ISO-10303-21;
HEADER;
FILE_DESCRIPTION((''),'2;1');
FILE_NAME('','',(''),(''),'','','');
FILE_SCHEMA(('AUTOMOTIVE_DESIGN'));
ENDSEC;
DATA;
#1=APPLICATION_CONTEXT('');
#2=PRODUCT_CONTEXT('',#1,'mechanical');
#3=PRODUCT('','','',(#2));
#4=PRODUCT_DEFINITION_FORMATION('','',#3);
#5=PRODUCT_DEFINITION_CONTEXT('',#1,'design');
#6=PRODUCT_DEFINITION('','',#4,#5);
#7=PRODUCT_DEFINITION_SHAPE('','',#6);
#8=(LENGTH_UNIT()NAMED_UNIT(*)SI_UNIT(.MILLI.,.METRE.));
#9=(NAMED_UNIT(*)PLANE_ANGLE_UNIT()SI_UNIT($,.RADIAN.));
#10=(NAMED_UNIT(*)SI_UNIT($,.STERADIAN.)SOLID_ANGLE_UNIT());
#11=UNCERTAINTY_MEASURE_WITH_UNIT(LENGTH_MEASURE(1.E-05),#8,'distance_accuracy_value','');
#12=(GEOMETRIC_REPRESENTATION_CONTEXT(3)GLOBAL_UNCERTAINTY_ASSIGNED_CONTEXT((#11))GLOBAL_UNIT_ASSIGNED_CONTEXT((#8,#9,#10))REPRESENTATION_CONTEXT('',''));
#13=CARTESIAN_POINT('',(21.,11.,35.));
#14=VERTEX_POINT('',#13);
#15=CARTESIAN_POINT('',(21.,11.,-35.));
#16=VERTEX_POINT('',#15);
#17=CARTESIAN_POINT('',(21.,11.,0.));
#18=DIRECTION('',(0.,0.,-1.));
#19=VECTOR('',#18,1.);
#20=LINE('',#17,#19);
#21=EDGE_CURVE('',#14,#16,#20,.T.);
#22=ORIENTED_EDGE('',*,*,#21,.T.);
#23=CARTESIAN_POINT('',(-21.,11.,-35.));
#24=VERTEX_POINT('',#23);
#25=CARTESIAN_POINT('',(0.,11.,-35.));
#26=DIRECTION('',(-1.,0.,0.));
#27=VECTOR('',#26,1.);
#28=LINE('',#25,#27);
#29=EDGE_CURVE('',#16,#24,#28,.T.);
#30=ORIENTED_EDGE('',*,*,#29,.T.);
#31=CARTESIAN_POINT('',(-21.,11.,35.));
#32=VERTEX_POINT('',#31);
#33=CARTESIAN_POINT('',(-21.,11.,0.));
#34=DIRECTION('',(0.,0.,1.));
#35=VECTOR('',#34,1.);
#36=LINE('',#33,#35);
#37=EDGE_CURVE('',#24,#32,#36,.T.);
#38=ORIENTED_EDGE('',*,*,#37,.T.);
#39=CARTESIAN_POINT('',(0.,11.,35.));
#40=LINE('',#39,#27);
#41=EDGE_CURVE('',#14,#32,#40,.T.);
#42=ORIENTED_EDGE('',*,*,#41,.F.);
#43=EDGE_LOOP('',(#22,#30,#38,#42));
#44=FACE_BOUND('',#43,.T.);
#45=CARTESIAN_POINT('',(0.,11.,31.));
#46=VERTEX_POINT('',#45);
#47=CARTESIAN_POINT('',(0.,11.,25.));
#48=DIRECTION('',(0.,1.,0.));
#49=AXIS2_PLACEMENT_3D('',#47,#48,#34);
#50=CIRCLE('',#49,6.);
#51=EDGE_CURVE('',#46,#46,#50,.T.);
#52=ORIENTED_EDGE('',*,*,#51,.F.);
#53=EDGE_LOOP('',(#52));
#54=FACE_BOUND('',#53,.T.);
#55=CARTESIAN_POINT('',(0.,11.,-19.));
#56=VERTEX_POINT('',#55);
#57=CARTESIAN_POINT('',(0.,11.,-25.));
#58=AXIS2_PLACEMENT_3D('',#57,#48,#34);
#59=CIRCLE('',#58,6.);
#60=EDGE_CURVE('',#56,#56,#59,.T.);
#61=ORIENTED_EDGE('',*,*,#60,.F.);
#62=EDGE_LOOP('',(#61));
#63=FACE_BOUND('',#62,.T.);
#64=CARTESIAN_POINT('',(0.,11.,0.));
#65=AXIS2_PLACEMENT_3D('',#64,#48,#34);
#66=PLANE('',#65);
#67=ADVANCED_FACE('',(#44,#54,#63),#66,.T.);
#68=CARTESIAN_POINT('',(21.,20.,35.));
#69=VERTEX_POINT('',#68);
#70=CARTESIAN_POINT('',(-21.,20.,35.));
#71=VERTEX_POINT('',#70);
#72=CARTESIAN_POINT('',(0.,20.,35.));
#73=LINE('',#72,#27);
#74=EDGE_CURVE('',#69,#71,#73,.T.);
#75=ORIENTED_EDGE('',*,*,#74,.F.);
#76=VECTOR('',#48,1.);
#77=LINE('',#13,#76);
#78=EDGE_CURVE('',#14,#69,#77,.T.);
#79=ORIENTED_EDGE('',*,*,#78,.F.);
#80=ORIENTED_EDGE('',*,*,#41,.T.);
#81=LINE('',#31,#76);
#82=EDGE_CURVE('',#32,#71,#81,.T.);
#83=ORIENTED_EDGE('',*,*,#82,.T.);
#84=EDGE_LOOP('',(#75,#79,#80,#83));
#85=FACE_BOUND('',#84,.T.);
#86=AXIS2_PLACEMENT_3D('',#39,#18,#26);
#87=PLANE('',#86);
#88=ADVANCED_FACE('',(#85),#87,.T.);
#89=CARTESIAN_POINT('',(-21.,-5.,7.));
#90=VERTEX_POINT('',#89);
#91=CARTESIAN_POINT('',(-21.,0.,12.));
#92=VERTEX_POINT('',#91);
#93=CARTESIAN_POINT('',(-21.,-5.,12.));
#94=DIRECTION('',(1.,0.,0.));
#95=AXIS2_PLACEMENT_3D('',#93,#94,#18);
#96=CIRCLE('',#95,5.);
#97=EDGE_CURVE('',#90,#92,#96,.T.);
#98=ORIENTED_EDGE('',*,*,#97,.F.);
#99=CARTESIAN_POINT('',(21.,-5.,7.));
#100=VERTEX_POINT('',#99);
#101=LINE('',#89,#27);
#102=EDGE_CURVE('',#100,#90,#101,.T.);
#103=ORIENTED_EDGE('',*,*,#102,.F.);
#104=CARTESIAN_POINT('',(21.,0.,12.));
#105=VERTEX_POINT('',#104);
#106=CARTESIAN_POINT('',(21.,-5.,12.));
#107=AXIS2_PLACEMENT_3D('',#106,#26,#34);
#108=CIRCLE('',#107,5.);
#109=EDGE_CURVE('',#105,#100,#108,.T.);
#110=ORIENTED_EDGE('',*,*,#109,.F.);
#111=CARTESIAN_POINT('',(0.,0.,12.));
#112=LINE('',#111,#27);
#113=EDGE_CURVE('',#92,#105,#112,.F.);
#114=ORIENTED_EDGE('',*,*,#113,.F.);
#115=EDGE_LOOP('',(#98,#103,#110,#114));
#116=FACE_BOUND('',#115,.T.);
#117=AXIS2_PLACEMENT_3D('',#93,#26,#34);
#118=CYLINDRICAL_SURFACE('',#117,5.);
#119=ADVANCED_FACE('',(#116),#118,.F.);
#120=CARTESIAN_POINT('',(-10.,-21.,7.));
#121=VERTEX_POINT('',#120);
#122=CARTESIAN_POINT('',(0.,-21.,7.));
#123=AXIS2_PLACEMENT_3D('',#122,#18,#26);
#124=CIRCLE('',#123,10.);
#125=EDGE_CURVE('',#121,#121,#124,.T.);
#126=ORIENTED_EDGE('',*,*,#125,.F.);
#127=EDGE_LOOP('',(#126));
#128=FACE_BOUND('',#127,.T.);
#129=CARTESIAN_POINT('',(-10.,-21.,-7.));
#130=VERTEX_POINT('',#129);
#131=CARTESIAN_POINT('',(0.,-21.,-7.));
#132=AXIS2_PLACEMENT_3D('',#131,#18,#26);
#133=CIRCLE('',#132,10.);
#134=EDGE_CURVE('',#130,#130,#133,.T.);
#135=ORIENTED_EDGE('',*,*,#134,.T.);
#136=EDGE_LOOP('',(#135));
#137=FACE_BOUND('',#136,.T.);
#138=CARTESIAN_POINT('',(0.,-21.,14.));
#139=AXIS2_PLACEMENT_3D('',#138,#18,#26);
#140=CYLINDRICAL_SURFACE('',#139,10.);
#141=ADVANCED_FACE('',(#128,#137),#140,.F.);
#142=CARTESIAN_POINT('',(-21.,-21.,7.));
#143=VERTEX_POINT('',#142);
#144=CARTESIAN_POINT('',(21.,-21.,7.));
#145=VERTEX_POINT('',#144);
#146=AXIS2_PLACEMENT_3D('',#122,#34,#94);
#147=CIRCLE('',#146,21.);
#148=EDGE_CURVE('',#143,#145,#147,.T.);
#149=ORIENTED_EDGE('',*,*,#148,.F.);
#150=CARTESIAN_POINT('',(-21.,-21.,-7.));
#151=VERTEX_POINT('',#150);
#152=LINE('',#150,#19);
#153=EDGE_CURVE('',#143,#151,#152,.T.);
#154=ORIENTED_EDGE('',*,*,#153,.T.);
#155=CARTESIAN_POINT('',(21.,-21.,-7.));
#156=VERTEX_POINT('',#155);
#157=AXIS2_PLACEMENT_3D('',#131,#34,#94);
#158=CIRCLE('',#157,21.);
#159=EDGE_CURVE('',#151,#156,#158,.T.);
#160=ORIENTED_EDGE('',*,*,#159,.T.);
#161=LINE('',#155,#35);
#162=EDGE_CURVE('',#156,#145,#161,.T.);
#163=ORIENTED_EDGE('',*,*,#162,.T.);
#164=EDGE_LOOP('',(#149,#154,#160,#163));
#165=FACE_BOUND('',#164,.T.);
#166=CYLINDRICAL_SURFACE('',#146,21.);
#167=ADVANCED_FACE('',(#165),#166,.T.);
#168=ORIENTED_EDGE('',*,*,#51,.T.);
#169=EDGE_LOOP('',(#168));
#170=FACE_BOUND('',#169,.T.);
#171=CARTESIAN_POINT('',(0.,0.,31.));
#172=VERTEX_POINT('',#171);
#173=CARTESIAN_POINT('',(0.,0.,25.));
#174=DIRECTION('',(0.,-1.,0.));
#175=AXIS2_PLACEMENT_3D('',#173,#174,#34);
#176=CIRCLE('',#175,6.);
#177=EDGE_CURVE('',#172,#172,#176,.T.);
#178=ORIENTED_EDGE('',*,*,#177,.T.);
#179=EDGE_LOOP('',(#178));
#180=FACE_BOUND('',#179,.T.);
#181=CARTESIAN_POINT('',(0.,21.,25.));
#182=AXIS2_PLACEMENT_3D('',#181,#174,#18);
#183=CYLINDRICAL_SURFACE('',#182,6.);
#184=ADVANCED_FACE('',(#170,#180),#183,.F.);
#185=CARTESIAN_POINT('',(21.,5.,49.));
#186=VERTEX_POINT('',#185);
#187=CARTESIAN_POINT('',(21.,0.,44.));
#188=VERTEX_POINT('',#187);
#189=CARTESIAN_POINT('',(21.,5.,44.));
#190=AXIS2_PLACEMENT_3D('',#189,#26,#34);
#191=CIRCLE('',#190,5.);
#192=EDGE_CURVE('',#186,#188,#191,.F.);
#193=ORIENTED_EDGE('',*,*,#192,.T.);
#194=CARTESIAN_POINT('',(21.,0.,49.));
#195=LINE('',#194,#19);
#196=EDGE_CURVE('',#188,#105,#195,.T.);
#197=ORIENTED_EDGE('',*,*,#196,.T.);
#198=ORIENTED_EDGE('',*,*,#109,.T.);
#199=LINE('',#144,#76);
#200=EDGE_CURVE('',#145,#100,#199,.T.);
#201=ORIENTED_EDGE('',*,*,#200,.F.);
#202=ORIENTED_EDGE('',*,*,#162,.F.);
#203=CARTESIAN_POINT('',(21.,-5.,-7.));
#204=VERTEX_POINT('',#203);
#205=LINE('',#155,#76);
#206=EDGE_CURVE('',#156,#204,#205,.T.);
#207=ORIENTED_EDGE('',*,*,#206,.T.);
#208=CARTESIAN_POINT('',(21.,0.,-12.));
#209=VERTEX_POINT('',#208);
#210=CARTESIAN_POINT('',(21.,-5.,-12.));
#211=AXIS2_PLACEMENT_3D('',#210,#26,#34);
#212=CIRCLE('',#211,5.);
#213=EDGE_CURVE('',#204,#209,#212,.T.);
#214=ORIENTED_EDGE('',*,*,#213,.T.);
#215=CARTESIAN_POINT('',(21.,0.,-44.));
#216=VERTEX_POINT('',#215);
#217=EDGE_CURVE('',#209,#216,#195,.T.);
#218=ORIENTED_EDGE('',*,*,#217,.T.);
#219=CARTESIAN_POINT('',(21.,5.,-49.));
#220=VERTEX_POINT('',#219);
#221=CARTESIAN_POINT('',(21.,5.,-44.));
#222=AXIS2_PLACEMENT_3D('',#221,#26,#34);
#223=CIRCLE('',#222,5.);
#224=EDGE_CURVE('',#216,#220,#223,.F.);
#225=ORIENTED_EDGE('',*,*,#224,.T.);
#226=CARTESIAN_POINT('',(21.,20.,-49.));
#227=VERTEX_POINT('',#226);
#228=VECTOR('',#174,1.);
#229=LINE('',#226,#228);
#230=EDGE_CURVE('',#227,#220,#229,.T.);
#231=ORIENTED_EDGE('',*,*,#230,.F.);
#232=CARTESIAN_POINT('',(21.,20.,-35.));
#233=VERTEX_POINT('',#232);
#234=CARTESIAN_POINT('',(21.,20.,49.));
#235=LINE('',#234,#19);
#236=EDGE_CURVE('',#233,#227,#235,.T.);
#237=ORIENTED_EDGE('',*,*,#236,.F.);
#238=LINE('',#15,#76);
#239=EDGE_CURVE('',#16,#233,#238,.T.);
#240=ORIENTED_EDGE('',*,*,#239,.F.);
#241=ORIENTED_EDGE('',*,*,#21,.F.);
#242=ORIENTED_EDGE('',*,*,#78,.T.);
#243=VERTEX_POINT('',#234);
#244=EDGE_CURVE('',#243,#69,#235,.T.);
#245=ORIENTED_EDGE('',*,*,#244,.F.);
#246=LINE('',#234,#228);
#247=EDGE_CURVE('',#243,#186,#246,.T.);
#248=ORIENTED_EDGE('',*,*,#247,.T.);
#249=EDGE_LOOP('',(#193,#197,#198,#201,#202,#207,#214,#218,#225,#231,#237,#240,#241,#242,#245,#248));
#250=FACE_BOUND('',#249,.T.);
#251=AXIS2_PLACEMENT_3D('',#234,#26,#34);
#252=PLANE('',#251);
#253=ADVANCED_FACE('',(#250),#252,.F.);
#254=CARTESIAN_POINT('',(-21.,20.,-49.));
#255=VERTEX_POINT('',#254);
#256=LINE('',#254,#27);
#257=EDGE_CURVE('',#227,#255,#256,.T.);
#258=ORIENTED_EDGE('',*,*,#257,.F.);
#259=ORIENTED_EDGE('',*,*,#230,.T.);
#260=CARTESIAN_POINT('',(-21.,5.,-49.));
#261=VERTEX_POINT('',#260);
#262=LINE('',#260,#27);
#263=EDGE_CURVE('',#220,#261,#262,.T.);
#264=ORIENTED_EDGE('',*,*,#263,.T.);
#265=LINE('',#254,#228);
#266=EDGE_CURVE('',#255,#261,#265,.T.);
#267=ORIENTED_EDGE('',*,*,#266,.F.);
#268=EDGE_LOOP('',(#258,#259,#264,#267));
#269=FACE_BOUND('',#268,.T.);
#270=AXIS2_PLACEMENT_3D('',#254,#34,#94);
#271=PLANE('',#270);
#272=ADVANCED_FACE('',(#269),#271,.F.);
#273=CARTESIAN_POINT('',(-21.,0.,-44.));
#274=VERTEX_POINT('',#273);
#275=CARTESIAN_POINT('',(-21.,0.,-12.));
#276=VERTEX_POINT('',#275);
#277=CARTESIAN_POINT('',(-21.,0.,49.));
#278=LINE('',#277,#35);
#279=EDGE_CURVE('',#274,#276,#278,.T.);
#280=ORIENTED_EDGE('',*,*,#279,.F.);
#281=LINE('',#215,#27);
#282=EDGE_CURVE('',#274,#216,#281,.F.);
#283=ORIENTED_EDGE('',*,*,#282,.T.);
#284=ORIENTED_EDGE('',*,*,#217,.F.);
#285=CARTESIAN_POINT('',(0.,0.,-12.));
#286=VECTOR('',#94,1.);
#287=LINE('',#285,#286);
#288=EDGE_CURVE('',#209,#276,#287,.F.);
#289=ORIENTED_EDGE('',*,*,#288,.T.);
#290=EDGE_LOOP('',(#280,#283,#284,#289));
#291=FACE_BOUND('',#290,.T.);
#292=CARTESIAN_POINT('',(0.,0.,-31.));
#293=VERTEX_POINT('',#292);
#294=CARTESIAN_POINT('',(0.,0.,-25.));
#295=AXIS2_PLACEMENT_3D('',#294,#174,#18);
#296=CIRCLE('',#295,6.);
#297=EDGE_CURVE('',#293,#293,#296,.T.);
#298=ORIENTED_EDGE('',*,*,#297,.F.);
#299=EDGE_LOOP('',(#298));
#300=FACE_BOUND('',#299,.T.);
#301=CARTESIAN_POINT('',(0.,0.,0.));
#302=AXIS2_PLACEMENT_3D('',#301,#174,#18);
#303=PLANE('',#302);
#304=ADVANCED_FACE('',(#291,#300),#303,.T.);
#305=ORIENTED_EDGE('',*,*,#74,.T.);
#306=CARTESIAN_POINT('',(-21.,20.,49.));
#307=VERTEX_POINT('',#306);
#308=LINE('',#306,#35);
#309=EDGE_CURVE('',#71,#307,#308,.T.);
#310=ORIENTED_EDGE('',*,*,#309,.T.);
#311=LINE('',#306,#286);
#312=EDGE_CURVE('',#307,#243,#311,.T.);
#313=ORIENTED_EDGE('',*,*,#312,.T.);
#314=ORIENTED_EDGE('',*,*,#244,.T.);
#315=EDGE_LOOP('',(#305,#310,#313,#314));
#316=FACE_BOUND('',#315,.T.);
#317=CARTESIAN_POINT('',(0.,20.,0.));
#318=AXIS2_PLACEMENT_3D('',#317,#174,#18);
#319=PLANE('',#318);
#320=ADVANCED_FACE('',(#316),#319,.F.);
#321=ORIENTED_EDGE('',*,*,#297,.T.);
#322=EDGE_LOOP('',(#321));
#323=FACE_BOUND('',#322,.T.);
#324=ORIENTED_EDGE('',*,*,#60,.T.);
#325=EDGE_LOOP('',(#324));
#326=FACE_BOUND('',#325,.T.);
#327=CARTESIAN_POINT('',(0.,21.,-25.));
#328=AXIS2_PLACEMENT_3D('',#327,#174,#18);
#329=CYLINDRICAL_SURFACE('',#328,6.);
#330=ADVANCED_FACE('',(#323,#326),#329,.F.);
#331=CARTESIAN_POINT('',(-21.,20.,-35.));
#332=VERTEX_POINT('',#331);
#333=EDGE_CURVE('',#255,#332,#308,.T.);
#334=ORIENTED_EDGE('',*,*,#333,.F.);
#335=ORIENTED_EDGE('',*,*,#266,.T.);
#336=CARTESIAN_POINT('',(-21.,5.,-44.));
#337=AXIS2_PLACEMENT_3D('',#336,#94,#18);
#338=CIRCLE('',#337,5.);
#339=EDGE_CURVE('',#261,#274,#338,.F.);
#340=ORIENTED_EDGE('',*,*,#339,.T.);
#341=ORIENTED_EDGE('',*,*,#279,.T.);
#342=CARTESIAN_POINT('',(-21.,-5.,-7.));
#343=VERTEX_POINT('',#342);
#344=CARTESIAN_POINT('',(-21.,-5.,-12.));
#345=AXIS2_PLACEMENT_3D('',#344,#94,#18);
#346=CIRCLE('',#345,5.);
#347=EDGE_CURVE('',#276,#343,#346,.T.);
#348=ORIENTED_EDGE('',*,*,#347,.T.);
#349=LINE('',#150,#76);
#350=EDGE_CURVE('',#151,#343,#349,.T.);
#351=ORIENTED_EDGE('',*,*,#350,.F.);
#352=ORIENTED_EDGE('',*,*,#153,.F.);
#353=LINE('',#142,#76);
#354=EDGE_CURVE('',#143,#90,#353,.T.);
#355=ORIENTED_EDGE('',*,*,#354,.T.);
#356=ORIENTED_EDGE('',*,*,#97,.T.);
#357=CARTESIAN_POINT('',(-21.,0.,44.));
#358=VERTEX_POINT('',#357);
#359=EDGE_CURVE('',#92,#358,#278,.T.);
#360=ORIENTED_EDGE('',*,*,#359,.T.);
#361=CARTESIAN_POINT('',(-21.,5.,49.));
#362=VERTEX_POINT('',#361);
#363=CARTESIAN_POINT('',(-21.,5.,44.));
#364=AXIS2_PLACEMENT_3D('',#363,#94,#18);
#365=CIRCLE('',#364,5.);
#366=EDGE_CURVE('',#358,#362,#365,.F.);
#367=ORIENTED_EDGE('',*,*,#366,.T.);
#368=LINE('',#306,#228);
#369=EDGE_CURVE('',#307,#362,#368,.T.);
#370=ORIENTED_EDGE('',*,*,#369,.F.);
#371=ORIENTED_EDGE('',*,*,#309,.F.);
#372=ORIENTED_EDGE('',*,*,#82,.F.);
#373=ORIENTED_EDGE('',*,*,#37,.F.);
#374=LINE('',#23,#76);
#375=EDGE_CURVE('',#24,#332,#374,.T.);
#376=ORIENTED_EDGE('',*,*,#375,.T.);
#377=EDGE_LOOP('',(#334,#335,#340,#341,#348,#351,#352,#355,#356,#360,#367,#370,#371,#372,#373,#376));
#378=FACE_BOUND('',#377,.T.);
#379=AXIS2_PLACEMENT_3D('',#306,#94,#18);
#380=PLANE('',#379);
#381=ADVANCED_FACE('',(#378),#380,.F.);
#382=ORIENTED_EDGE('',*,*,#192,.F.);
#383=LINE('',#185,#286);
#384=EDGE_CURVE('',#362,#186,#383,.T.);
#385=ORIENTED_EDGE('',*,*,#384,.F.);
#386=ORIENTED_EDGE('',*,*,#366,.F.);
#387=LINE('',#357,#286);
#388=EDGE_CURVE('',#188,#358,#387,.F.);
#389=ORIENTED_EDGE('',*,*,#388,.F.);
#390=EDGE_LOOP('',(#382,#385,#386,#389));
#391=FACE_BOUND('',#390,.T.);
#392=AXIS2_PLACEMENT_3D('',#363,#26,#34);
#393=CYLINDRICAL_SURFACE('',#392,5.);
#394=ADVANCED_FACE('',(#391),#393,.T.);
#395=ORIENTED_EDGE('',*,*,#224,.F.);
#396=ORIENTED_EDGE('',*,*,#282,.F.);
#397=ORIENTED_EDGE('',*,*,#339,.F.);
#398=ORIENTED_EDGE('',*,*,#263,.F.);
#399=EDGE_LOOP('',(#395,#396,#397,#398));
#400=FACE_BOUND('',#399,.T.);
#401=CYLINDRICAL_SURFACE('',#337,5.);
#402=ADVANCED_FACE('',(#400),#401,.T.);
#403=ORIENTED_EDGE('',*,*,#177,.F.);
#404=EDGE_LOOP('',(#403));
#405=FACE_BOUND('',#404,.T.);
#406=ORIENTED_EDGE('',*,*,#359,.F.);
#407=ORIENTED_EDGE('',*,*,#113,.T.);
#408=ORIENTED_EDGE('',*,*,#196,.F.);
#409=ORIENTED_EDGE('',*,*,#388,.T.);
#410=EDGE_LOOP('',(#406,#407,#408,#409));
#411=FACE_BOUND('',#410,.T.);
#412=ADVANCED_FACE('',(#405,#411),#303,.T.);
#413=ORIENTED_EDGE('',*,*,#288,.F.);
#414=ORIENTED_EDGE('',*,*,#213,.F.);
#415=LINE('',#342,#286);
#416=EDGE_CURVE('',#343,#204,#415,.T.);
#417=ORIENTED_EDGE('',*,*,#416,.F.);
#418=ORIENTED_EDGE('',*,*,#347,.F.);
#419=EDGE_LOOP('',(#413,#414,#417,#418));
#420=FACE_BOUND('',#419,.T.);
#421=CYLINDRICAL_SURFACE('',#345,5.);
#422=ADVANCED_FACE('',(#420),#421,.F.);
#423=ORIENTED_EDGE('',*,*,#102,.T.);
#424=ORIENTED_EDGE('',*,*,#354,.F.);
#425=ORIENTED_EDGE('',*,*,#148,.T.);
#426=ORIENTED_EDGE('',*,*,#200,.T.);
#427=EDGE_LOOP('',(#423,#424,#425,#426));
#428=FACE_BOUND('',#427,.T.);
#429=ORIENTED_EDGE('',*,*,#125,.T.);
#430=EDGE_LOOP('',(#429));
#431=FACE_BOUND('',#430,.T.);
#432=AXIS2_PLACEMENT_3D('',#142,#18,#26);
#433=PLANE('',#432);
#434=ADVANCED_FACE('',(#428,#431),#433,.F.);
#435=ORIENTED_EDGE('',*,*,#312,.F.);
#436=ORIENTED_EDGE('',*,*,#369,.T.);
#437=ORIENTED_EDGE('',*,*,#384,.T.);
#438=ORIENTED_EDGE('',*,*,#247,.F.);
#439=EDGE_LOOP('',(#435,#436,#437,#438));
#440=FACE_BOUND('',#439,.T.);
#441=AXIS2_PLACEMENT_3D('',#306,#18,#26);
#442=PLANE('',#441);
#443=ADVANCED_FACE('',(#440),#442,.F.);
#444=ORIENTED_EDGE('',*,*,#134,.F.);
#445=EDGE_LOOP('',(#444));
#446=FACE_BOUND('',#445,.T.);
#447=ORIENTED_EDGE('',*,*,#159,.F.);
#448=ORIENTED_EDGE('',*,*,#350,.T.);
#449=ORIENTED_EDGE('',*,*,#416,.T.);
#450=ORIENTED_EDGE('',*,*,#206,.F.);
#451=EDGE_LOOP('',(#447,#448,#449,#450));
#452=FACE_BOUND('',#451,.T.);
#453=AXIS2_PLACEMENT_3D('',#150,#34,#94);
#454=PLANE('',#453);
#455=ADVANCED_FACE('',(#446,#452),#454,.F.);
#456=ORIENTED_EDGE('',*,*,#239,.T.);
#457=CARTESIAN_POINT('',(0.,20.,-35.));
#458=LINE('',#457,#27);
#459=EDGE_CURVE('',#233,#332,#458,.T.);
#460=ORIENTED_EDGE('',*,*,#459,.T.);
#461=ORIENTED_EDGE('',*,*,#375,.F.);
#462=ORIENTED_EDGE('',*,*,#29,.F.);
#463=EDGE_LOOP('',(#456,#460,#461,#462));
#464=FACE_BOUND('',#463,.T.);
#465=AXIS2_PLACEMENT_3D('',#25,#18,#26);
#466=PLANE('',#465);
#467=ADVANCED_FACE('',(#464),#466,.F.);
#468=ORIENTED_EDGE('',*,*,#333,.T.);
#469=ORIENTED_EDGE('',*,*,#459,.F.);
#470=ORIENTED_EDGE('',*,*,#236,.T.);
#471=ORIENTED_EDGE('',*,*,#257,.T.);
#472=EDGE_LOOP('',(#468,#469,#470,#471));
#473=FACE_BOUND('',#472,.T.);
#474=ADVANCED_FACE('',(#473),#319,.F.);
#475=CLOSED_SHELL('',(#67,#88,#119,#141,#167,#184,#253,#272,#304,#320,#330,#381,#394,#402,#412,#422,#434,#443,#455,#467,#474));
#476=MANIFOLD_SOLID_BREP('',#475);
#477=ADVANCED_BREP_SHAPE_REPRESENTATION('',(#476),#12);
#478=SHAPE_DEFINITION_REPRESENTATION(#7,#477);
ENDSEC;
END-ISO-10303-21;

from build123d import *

# Parameters (mm, degrees)
SKETCH1_W           = 42
SKETCH1_H           = 98
BOSS_EXTRUDE1_DEPTH = 20
SKETCH2_W           = 42
SKETCH2_H           = 70
CUT_EXTRUDE1_DEPTH  = 9
SKETCH4_W           = 42
SKETCH4_H           = 14
BOSS_EXTRUDE2_DEPTH = 21
SKETCH5_W           = 21
SKETCH5_H           = 14
REVOLVE1_ANGLE      = 180
SKETCH3_R           = 6
CUT_EXTRUDE2_DEPTH  = 21
SKETCH6_R           = 10
CUT_EXTRUDE3_DEPTH  = 21
FILLET1_R           = 5


with BuildPart() as part:
    # Sketch1 → Boss-Extrude1 (new body)
    with BuildSketch(Plane(origin=(0, 0, 0), x_dir=(1, 0, 0), z_dir=(0, 1, 0))):
        Rectangle(SKETCH1_W, SKETCH1_H)
    extrude(amount=BOSS_EXTRUDE1_DEPTH)

    # Sketch2 → Cut-Extrude1 (cut)
    with BuildSketch(Plane(origin=(0, 20, 0), x_dir=(1, 0, 0), z_dir=(0, 1, 0))):
        Rectangle(SKETCH2_W, SKETCH2_H)
    extrude(amount=-CUT_EXTRUDE1_DEPTH, mode=Mode.SUBTRACT)

    # Sketch4 → Boss-Extrude2 (add)
    with BuildSketch(Plane.XZ):
        Rectangle(SKETCH4_W, SKETCH4_H)
    extrude(amount=BOSS_EXTRUDE2_DEPTH)

    # Sketch5 → Revolve1 (revolve)
    with BuildSketch(Plane.XZ.offset(21)):
        with Locations((10.5, 0)):
            Rectangle(SKETCH5_W, SKETCH5_H)
    revolve(axis=Axis((0, -21, 7), (0, 0, -1)), revolution_arc=REVOLVE1_ANGLE)

    # Sketch3 → Cut-Extrude2 (cut)
    with BuildSketch(Plane.XZ):
        with Locations((0, -25)):
            Circle(SKETCH3_R)
        with Locations((0, 25)):
            Circle(SKETCH3_R)
    extrude(amount=-CUT_EXTRUDE2_DEPTH, mode=Mode.SUBTRACT)

    # Sketch6 → Cut-Extrude3 (cut)
    with BuildSketch(Plane(origin=(0, 0, -7), x_dir=(-1, 0, 0), z_dir=(0, 0, -1))):
        with Locations((0, -21)):
            Circle(SKETCH6_R)
    extrude(amount=-CUT_EXTRUDE3_DEPTH, mode=Mode.SUBTRACT)

    # Fillet1
    fillet1_edges = [part.edges().sort_by_distance(p)[0] for p in [
        (0, 0, -7),
        (0, 0, 7),
        (0, 0, 49),
        (0, 0, -49),
    ]]
    fillet(fillet1_edges, radius=FILLET1_R)


solid = part.part
